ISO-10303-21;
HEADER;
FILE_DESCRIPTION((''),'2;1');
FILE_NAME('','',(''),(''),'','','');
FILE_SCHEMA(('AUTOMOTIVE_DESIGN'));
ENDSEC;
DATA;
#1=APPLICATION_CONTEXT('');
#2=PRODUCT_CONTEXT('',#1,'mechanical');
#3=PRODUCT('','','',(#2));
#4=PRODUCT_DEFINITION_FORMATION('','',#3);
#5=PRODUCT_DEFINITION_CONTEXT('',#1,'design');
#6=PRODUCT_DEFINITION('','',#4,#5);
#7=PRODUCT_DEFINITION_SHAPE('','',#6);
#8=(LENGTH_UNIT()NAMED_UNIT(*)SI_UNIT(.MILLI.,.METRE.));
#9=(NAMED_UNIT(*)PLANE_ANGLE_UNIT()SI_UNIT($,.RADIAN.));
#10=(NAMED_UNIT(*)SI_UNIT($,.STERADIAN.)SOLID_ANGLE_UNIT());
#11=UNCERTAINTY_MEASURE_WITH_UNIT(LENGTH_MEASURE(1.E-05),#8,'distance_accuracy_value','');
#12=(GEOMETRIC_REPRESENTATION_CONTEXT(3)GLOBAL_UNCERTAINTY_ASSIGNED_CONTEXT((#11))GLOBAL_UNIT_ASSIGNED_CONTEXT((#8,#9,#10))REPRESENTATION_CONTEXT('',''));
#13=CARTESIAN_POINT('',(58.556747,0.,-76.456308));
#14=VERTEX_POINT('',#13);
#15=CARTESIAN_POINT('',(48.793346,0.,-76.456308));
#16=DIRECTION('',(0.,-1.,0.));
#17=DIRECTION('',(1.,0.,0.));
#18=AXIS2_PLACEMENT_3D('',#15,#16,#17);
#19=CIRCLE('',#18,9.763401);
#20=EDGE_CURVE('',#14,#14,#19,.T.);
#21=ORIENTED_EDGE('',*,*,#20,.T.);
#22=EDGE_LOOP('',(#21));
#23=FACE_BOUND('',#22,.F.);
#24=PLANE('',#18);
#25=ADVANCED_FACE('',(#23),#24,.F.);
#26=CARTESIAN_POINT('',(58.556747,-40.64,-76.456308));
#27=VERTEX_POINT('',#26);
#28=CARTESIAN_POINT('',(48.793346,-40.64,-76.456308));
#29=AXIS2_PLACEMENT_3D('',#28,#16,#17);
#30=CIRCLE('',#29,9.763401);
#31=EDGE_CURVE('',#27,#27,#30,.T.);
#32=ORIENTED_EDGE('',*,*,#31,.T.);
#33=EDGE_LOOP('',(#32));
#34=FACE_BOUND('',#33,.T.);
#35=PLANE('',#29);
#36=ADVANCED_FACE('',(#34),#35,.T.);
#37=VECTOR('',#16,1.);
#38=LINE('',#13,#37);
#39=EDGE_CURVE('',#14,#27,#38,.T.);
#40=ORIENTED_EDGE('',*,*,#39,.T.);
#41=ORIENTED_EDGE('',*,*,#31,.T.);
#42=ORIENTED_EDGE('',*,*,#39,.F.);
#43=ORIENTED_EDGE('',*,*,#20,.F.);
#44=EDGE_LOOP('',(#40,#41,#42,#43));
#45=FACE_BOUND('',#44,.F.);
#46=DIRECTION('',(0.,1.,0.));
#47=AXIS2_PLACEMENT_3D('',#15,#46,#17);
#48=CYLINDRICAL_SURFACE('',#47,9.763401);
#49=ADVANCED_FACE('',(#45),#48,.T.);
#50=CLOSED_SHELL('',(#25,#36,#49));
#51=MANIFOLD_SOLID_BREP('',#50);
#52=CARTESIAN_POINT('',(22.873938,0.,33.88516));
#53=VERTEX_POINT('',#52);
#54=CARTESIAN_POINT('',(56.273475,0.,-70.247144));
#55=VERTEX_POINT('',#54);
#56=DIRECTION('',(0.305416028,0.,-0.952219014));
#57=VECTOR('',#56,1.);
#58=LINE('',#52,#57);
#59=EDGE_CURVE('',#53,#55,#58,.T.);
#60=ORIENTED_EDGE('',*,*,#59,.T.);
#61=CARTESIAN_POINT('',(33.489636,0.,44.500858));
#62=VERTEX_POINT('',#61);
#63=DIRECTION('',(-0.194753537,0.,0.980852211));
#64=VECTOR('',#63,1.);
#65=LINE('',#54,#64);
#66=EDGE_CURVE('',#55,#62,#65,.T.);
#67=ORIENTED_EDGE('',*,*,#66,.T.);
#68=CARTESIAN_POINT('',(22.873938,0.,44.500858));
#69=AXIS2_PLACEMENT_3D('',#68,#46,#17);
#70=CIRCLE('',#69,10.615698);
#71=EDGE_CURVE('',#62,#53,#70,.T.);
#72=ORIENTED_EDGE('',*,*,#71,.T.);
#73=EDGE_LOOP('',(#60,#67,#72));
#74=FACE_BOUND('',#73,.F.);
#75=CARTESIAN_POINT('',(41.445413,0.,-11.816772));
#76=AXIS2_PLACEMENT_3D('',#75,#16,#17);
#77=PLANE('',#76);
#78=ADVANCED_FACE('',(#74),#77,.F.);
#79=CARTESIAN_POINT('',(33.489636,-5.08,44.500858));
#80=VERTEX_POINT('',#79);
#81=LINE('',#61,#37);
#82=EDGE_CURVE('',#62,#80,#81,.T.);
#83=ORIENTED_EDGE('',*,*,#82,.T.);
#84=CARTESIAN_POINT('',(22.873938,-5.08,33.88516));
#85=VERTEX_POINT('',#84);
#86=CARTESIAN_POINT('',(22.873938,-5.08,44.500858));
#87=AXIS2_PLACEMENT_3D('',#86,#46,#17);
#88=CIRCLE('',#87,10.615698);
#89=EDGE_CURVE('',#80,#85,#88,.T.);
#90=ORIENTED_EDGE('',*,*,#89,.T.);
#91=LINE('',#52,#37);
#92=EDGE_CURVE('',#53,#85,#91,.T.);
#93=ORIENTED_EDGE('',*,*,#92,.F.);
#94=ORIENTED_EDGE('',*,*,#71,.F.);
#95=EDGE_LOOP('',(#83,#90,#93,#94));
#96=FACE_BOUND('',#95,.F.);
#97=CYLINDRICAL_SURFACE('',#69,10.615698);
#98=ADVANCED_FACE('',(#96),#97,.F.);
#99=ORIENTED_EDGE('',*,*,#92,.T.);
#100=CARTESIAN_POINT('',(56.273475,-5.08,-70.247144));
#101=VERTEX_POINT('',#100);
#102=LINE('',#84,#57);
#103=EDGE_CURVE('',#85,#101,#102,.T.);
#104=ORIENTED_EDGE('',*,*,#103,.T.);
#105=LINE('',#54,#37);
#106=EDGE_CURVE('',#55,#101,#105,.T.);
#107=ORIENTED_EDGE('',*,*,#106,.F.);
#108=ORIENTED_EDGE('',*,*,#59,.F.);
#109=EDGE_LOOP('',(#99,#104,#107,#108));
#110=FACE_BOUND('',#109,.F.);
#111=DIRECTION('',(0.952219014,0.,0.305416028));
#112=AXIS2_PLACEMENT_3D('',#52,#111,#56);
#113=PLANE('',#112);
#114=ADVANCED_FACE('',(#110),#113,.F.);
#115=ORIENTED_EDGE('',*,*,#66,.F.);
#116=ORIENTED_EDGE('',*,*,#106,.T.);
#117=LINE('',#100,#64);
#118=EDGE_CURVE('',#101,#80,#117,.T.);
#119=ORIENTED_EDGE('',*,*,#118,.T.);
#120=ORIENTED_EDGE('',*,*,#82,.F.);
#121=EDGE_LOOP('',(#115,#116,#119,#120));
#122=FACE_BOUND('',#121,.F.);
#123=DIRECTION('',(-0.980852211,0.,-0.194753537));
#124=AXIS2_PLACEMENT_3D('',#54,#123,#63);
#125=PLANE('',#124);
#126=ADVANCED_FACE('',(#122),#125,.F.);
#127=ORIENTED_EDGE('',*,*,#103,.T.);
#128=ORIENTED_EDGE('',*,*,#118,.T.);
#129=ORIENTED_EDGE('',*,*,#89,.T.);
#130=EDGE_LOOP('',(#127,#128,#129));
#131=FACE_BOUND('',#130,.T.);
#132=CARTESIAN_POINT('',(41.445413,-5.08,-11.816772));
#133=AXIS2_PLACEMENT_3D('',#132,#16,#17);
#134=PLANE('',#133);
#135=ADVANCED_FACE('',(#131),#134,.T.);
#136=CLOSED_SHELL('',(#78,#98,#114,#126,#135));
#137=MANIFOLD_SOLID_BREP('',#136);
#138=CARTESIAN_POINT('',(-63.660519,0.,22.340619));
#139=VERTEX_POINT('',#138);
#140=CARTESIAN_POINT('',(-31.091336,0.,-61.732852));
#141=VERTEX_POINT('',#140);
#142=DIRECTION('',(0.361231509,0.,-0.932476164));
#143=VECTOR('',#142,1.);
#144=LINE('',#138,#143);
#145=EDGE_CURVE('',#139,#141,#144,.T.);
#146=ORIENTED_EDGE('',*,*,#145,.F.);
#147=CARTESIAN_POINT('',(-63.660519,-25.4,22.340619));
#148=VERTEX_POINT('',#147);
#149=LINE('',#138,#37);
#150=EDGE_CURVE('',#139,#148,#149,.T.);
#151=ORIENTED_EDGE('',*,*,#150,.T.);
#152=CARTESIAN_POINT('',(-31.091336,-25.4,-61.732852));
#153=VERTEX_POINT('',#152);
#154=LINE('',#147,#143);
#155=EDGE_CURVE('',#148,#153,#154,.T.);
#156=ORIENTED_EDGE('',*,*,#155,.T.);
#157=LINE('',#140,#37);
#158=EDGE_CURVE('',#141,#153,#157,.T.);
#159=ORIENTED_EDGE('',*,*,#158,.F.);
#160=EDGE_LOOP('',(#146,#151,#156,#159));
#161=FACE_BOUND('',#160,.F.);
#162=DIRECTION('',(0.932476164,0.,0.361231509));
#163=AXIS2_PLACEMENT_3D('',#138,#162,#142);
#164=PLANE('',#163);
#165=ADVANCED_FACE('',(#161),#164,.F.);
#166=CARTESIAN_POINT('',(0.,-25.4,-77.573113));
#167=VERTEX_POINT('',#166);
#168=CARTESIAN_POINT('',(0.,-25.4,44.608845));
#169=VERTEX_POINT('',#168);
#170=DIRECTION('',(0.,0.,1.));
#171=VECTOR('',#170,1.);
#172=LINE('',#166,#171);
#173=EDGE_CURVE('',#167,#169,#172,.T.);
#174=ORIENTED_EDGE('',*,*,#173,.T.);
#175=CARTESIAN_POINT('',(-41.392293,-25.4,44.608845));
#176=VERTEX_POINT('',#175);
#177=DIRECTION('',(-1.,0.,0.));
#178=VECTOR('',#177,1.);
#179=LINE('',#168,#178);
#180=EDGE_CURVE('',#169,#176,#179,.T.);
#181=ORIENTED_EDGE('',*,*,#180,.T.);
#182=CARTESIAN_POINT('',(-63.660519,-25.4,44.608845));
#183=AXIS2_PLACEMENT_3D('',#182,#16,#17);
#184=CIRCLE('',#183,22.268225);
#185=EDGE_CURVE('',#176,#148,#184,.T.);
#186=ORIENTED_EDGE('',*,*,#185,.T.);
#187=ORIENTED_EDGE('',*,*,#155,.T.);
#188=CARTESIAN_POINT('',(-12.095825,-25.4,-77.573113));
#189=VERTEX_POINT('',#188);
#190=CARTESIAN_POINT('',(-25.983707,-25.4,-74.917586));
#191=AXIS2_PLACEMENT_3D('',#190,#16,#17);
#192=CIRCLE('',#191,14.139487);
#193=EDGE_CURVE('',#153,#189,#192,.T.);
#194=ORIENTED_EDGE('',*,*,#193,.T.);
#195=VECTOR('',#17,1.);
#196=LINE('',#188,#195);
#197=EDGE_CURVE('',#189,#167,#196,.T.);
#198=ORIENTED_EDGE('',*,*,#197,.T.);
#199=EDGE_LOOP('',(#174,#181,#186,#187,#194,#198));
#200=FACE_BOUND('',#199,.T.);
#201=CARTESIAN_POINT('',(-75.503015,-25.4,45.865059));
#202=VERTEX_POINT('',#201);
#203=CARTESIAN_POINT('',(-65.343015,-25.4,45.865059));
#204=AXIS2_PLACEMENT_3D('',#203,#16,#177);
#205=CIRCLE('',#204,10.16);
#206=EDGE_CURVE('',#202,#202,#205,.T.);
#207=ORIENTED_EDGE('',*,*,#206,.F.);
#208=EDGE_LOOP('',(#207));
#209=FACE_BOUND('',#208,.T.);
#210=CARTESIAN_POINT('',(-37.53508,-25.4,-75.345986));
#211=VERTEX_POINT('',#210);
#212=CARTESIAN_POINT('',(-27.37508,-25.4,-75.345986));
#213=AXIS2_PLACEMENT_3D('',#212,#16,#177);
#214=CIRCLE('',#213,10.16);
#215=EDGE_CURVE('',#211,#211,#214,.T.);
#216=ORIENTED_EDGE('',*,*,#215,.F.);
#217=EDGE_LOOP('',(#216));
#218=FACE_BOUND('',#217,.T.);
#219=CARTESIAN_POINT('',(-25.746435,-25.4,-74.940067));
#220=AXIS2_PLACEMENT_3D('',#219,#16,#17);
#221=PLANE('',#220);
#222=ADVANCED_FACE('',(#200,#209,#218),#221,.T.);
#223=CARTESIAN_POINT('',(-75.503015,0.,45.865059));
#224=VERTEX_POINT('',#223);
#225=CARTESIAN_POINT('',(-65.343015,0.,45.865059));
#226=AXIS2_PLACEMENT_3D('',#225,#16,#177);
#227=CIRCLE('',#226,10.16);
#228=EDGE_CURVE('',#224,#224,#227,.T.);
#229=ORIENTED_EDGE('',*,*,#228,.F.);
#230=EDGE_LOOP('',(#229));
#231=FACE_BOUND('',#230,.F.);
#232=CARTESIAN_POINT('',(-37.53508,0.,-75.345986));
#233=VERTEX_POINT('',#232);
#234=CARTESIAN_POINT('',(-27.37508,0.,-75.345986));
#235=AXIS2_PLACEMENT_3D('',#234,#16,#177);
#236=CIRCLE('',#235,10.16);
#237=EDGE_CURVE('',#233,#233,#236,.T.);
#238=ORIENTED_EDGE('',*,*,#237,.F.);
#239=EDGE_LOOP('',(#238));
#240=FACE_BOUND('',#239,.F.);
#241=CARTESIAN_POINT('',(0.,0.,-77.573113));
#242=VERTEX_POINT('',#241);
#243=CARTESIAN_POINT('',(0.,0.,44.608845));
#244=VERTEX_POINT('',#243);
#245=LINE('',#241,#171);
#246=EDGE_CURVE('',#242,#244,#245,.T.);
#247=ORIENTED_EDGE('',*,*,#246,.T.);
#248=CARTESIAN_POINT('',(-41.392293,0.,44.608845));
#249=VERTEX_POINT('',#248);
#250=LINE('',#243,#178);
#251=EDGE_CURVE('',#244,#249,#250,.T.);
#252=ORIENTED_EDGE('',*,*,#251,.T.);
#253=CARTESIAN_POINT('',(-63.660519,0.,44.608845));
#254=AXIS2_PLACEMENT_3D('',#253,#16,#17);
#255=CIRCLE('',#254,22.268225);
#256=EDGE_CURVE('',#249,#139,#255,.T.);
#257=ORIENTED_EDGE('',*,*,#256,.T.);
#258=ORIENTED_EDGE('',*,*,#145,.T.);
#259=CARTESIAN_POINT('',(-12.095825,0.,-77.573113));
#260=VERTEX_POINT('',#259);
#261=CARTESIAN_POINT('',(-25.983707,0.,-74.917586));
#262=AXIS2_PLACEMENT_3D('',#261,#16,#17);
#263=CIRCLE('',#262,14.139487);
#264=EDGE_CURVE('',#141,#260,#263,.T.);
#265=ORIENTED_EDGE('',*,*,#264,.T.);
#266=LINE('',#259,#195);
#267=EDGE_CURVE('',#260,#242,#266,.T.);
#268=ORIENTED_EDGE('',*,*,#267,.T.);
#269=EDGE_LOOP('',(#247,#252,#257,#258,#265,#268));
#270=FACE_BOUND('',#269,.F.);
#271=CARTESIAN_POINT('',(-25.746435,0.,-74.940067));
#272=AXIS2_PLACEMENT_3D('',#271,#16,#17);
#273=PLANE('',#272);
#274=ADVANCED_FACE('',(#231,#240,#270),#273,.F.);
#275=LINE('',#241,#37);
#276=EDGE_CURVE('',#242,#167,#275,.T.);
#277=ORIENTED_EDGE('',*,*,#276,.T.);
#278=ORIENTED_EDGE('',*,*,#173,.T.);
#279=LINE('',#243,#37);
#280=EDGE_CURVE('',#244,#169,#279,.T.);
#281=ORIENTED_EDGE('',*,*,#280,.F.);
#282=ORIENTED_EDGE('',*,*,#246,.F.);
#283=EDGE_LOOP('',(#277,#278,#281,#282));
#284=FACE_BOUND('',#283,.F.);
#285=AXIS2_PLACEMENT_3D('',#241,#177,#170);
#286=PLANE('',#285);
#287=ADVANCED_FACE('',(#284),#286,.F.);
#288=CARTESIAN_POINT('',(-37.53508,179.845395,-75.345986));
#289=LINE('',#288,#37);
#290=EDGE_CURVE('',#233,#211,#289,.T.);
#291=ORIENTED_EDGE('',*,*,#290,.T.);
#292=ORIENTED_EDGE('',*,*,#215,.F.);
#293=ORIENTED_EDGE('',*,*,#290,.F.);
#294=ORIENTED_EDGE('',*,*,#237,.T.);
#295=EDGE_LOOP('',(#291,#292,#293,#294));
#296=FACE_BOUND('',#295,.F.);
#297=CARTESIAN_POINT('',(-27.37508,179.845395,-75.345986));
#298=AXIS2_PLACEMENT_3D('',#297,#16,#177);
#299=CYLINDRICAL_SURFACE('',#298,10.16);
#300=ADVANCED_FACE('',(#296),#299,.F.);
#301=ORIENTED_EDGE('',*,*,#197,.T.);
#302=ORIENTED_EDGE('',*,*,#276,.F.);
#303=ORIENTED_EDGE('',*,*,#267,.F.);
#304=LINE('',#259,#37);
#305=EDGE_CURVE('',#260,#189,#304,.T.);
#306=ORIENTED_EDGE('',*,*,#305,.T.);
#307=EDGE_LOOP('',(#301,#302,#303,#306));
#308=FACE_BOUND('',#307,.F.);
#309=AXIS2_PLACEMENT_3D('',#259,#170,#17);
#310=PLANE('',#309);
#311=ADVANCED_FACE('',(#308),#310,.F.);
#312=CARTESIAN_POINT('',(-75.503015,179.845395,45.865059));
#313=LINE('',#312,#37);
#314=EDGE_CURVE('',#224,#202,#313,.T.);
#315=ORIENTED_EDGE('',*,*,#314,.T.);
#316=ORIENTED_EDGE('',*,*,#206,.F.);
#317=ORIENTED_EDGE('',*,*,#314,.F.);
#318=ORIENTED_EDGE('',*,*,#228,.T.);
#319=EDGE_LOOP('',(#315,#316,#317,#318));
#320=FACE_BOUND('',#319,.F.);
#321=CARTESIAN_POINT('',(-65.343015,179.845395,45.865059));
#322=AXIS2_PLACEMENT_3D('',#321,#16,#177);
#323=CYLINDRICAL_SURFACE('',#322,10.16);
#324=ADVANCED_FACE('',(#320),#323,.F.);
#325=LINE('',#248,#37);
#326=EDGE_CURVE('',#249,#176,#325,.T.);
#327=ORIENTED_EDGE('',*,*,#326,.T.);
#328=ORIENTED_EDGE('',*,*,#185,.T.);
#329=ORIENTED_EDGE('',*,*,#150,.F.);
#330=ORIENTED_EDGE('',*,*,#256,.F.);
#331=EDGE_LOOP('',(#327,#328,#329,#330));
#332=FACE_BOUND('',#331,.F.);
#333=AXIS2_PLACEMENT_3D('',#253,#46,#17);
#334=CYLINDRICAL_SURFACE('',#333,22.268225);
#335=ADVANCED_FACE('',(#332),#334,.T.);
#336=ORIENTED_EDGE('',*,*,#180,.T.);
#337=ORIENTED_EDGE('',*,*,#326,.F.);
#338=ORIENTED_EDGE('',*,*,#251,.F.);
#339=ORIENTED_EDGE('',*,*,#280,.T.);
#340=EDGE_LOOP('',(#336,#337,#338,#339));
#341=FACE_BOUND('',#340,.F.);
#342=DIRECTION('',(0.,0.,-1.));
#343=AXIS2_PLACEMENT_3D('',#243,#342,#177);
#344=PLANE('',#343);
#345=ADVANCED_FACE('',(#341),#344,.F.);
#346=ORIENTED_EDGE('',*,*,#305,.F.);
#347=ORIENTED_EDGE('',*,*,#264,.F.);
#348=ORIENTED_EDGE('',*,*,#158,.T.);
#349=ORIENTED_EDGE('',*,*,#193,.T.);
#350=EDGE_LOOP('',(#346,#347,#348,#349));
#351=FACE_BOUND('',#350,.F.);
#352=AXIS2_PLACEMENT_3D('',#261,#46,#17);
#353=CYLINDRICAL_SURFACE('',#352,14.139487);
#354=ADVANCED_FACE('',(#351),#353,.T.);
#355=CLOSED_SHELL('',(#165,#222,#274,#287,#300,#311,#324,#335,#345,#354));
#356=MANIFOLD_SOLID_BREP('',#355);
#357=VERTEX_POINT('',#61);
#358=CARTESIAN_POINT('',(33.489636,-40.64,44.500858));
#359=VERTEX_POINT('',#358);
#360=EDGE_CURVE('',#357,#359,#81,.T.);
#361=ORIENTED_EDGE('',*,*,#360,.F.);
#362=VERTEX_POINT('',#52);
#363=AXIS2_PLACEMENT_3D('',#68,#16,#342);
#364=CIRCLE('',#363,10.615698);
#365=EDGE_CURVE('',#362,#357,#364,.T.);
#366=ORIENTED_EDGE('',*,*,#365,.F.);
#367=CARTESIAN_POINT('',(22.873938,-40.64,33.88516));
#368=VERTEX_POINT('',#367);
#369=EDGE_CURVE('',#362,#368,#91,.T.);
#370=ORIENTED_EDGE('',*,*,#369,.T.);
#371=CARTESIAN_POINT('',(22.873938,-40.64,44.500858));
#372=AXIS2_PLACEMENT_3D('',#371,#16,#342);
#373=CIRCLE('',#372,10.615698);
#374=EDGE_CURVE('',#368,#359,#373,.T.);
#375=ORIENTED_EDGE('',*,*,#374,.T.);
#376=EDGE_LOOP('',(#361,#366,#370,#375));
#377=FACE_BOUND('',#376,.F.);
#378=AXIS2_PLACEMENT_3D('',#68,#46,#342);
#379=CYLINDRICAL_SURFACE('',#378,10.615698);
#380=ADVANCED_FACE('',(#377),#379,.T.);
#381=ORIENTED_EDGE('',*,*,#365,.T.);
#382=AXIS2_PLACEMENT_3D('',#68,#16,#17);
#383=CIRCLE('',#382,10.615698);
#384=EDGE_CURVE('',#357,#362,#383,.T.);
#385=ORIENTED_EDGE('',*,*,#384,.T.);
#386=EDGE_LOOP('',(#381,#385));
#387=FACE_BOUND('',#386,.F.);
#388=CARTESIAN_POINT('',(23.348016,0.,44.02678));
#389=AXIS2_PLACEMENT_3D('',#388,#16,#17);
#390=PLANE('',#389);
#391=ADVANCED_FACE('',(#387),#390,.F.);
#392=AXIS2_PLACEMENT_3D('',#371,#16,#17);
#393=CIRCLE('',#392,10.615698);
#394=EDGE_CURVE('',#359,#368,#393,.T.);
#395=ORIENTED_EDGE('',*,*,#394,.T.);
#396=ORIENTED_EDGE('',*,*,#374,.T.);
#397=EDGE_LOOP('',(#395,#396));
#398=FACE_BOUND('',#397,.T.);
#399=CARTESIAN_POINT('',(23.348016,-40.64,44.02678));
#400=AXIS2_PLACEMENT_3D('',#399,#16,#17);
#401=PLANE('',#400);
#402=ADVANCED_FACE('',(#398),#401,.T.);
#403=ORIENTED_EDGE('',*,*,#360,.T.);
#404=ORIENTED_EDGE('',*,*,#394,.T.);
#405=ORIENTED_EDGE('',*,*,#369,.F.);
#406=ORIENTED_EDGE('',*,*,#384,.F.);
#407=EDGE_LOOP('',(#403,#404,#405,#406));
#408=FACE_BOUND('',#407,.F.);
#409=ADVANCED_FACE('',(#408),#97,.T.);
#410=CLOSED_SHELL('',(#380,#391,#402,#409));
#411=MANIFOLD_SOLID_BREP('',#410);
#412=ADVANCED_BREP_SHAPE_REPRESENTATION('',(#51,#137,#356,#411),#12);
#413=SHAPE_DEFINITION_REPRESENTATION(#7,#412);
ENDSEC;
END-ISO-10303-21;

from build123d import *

# Parameters (mm, degrees)
F1_DEPTH = 25.4
F3_D     = 20.32
F6_DEPTH = 40.64
F4_R     = 9.7634014132
F7_DEPTH = 5.08


with BuildPart() as f1:
    # F0 (on Front) → F1 (new body)
    with BuildSketch(Plane.XZ):
        with BuildLine():
            ThreePointArc((-31.091335527, -61.7328519498), (-35.0391851817, -85.7768409495), (-12.095825273, -77.573112528))
            ThreePointArc((-12.095825273, -77.573112528), (-11.9072622515, -76.2512958844), (-11.8442205275, -74.9175863983))
            ThreePointArc((-11.8442205275, -74.9175863983), (-17.9929049383, -63.2525889885), (-31.091335527, -61.7328519498))
        make_face()
        with BuildLine():
            ThreePointArc((-63.6605185804, 22.3406193173), (-47.9145055019, 28.8628314877), (-41.3922933315, 44.6088445662))
            ThreePointArc((-41.3922933315, 44.6088445662), (-79.4065316589, 60.3548576446), (-63.6605185804, 22.3406193173))
        make_face()
        with BuildLine():
            Line((0, -77.573112528), (0, 44.6088445662))
            Line((0, 44.6088445662), (-41.3922933315, 44.6088445662))
            ThreePointArc((-41.3922933315, 44.6088445662), (-47.9145055019, 28.8628314877), (-63.6605185804, 22.3406193173))
            Line((-63.6605185804, 22.3406193173), (-31.091335527, -61.7328519498))
            ThreePointArc((-31.091335527, -61.7328519498), (-17.9929049383, -63.2525889885), (-11.8442205275, -74.9175863983))
            ThreePointArc((-11.8442205275, -74.9175863983), (-11.9072622515, -76.2512958844), (-12.095825273, -77.573112528))
            Line((-12.095825273, -77.573112528), (0, -77.573112528))
        make_face()
    extrude(amount=F1_DEPTH)

    # F3 (through all)
    with Locations(Plane(origin=(0, 0, 0), x_dir=(1, 0, 0), z_dir=(0, 1, 0))):
        with Locations((-65.3430148959, -45.8650588989), (-27.3750796914, 75.3459855914)):
            Hole(F3_D / 2)


with BuildPart() as f6:
    # F5 (on Front) → F6 (new body)
    with BuildSketch(Plane.XZ):
        with BuildLine():
            ThreePointArc((22.8739380836, 33.8851595852), (30.380370131, 36.9944255442), (33.4896360901, 44.5008575916))
            ThreePointArc((33.4896360901, 44.5008575916), (15.3675060363, 52.007289639), (22.8739380836, 33.8851595852))
        make_face()
    extrude(amount=F6_DEPTH)


with BuildPart() as f6b:
    # F4 (on Front) → F6, piece 2 (new body)
    with BuildSketch(Plane.XZ):
        with Locations((48.7933456898, -76.4563083649)):
            Circle(F4_R)
    extrude(amount=F6_DEPTH)


with BuildPart() as f7:
    # F5 (on Front) → F7 (new body)
    with BuildSketch(Plane.XZ):
        with BuildLine():
            Line((56.2734752893, -70.247143507), (33.4896360901, 44.5008575916))
            ThreePointArc((33.4896360901, 44.5008575916), (30.380370131, 36.9944255442), (22.8739380836, 33.8851595852))
            Line((22.8739380836, 33.8851595852), (56.2734752893, -70.247143507))
        make_face()
    extrude(amount=F7_DEPTH)


solid = Compound([f1.part, f6.part, f6b.part, f7.part])
